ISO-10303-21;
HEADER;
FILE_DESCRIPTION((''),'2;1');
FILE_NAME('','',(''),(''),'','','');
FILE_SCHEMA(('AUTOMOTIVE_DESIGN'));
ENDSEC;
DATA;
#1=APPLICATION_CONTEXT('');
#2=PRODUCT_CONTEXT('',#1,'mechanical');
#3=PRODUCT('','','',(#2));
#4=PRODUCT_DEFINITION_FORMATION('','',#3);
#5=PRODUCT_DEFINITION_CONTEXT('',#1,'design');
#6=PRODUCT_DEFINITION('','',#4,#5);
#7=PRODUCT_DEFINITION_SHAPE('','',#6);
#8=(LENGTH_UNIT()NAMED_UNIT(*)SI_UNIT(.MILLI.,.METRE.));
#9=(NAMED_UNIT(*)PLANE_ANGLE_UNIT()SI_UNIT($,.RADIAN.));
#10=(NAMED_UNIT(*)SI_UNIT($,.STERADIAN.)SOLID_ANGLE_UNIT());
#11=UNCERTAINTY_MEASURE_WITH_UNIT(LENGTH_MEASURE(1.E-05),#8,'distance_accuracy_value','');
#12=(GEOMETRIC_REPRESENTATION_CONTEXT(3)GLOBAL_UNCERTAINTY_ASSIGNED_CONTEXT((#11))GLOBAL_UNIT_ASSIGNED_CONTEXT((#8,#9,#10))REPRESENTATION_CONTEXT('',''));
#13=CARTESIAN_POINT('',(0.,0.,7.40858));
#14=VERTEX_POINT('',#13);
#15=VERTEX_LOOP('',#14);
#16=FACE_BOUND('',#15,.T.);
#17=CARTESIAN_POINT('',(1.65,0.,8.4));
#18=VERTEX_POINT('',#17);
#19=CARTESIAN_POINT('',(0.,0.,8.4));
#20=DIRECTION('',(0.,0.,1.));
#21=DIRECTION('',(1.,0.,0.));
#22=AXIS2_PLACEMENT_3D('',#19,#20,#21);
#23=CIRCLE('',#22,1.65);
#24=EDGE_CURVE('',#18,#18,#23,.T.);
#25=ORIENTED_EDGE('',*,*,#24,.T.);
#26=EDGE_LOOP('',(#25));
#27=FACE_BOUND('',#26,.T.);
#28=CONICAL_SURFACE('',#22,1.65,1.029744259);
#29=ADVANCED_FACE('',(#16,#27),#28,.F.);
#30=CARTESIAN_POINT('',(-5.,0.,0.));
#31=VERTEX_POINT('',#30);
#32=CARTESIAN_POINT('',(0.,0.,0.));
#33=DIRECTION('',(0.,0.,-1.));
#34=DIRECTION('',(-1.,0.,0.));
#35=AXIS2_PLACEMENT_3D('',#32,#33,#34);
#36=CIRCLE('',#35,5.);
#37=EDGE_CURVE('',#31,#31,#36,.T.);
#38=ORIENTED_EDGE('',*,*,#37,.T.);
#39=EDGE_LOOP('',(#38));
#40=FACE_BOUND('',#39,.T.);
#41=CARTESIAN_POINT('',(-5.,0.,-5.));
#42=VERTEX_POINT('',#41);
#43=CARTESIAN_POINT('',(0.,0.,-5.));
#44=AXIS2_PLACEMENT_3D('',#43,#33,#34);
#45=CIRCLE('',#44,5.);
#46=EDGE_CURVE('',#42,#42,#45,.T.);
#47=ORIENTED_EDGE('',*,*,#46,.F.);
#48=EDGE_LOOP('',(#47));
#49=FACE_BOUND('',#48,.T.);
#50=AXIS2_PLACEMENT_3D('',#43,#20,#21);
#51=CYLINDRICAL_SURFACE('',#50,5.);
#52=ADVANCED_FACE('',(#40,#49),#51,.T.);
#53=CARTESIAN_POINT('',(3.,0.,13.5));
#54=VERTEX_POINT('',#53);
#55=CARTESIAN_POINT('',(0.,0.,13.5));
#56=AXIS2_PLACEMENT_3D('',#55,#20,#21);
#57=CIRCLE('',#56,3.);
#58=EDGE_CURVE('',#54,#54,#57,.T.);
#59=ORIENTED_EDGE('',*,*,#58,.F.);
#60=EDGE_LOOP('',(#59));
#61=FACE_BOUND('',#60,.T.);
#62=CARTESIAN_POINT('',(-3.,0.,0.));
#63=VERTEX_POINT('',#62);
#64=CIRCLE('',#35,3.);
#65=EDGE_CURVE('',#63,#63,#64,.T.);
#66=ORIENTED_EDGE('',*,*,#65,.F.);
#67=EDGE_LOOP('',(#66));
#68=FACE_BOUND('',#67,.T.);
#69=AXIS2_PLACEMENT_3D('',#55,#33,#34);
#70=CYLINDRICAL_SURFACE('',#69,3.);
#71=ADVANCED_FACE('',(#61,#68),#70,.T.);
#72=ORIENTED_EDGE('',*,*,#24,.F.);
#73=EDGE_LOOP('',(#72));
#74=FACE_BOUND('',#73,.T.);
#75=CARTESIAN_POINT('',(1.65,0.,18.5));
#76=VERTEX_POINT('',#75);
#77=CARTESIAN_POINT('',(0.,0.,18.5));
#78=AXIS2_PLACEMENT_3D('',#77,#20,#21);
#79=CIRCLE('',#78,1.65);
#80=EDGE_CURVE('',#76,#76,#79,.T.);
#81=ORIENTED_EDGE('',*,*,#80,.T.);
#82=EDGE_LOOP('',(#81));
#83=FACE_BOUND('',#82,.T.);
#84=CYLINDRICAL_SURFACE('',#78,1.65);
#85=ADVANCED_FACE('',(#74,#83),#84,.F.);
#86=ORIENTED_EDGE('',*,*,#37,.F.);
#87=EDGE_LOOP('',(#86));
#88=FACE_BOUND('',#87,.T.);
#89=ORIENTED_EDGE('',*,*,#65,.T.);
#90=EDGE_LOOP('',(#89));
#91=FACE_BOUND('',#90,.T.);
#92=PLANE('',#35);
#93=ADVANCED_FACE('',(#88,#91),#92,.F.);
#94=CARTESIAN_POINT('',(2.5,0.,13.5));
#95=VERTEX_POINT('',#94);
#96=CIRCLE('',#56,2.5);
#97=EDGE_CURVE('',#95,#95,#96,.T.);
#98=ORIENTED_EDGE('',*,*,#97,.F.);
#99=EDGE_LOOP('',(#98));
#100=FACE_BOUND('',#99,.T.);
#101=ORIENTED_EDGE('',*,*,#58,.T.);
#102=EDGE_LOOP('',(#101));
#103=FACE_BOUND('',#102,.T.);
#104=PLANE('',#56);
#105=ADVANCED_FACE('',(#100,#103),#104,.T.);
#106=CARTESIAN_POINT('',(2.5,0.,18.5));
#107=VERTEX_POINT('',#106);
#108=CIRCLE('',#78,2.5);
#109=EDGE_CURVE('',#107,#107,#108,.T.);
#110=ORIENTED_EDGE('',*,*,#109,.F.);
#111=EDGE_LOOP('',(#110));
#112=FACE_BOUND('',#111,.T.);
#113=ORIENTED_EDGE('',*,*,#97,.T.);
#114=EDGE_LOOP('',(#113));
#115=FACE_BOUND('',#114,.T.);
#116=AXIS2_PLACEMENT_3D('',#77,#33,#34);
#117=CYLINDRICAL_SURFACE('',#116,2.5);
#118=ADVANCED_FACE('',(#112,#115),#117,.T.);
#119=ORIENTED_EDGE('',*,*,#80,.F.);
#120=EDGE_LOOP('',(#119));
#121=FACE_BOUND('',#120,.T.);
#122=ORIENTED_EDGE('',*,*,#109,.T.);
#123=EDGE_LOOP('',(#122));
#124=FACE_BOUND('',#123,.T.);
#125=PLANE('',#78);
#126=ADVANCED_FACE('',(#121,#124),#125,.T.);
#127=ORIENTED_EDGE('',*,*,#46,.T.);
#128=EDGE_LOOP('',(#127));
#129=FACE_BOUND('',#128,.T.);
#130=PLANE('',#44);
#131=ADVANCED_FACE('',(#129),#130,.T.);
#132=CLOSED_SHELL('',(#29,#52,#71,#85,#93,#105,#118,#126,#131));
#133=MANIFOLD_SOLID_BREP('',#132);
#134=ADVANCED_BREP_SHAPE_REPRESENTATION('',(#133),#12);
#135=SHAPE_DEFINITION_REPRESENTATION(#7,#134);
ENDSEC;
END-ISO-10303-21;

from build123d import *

# Parameters (mm, degrees)
SKETCH1_R                 = 3
EXTRUDE1_DEPTH            = 13.5
SKETCH2_R                 = 2.5
EXTRUDE2_DEPTH            = 5
SKETCH3_R                 = 5
EXTRUDE3_DEPTH            = 5
M4X0_7_TAPPED_HOLE1_D     = 3.3
M4X0_7_TAPPED_HOLE1_DEPTH = 10.1
M4X0_7_TAPPED_HOLE1_TIP   = 0.991420021


with BuildPart() as part:
    # Sketch1 → Extrude1 (new body)
    with BuildSketch(Plane.XY):
        Circle(SKETCH1_R)
    extrude(amount=EXTRUDE1_DEPTH)

    # Sketch2 → Extrude2 (add)
    with BuildSketch(Plane.XY.offset(13.5)):
        Circle(SKETCH2_R)
    extrude(amount=EXTRUDE2_DEPTH)

    # Sketch3 → Extrude3 (add)
    with BuildSketch(Plane(origin=(0, 0, 0), x_dir=(-1, 0, 0), z_dir=(0, 0, -1))):
        Circle(SKETCH3_R)
    extrude(amount=EXTRUDE3_DEPTH)

    # M4x0.7 Tapped Hole1
    with Locations(Plane.XY.offset(18.5)):
        with Locations((0, 0)):
            Hole(M4X0_7_TAPPED_HOLE1_D / 2, depth=M4X0_7_TAPPED_HOLE1_DEPTH)
            with Locations((0, 0, -(M4X0_7_TAPPED_HOLE1_DEPTH + M4X0_7_TAPPED_HOLE1_TIP / 2))):  # 118° drill point
                Cone(0, M4X0_7_TAPPED_HOLE1_D / 2, M4X0_7_TAPPED_HOLE1_TIP, mode=Mode.SUBTRACT)


solid = part.part
